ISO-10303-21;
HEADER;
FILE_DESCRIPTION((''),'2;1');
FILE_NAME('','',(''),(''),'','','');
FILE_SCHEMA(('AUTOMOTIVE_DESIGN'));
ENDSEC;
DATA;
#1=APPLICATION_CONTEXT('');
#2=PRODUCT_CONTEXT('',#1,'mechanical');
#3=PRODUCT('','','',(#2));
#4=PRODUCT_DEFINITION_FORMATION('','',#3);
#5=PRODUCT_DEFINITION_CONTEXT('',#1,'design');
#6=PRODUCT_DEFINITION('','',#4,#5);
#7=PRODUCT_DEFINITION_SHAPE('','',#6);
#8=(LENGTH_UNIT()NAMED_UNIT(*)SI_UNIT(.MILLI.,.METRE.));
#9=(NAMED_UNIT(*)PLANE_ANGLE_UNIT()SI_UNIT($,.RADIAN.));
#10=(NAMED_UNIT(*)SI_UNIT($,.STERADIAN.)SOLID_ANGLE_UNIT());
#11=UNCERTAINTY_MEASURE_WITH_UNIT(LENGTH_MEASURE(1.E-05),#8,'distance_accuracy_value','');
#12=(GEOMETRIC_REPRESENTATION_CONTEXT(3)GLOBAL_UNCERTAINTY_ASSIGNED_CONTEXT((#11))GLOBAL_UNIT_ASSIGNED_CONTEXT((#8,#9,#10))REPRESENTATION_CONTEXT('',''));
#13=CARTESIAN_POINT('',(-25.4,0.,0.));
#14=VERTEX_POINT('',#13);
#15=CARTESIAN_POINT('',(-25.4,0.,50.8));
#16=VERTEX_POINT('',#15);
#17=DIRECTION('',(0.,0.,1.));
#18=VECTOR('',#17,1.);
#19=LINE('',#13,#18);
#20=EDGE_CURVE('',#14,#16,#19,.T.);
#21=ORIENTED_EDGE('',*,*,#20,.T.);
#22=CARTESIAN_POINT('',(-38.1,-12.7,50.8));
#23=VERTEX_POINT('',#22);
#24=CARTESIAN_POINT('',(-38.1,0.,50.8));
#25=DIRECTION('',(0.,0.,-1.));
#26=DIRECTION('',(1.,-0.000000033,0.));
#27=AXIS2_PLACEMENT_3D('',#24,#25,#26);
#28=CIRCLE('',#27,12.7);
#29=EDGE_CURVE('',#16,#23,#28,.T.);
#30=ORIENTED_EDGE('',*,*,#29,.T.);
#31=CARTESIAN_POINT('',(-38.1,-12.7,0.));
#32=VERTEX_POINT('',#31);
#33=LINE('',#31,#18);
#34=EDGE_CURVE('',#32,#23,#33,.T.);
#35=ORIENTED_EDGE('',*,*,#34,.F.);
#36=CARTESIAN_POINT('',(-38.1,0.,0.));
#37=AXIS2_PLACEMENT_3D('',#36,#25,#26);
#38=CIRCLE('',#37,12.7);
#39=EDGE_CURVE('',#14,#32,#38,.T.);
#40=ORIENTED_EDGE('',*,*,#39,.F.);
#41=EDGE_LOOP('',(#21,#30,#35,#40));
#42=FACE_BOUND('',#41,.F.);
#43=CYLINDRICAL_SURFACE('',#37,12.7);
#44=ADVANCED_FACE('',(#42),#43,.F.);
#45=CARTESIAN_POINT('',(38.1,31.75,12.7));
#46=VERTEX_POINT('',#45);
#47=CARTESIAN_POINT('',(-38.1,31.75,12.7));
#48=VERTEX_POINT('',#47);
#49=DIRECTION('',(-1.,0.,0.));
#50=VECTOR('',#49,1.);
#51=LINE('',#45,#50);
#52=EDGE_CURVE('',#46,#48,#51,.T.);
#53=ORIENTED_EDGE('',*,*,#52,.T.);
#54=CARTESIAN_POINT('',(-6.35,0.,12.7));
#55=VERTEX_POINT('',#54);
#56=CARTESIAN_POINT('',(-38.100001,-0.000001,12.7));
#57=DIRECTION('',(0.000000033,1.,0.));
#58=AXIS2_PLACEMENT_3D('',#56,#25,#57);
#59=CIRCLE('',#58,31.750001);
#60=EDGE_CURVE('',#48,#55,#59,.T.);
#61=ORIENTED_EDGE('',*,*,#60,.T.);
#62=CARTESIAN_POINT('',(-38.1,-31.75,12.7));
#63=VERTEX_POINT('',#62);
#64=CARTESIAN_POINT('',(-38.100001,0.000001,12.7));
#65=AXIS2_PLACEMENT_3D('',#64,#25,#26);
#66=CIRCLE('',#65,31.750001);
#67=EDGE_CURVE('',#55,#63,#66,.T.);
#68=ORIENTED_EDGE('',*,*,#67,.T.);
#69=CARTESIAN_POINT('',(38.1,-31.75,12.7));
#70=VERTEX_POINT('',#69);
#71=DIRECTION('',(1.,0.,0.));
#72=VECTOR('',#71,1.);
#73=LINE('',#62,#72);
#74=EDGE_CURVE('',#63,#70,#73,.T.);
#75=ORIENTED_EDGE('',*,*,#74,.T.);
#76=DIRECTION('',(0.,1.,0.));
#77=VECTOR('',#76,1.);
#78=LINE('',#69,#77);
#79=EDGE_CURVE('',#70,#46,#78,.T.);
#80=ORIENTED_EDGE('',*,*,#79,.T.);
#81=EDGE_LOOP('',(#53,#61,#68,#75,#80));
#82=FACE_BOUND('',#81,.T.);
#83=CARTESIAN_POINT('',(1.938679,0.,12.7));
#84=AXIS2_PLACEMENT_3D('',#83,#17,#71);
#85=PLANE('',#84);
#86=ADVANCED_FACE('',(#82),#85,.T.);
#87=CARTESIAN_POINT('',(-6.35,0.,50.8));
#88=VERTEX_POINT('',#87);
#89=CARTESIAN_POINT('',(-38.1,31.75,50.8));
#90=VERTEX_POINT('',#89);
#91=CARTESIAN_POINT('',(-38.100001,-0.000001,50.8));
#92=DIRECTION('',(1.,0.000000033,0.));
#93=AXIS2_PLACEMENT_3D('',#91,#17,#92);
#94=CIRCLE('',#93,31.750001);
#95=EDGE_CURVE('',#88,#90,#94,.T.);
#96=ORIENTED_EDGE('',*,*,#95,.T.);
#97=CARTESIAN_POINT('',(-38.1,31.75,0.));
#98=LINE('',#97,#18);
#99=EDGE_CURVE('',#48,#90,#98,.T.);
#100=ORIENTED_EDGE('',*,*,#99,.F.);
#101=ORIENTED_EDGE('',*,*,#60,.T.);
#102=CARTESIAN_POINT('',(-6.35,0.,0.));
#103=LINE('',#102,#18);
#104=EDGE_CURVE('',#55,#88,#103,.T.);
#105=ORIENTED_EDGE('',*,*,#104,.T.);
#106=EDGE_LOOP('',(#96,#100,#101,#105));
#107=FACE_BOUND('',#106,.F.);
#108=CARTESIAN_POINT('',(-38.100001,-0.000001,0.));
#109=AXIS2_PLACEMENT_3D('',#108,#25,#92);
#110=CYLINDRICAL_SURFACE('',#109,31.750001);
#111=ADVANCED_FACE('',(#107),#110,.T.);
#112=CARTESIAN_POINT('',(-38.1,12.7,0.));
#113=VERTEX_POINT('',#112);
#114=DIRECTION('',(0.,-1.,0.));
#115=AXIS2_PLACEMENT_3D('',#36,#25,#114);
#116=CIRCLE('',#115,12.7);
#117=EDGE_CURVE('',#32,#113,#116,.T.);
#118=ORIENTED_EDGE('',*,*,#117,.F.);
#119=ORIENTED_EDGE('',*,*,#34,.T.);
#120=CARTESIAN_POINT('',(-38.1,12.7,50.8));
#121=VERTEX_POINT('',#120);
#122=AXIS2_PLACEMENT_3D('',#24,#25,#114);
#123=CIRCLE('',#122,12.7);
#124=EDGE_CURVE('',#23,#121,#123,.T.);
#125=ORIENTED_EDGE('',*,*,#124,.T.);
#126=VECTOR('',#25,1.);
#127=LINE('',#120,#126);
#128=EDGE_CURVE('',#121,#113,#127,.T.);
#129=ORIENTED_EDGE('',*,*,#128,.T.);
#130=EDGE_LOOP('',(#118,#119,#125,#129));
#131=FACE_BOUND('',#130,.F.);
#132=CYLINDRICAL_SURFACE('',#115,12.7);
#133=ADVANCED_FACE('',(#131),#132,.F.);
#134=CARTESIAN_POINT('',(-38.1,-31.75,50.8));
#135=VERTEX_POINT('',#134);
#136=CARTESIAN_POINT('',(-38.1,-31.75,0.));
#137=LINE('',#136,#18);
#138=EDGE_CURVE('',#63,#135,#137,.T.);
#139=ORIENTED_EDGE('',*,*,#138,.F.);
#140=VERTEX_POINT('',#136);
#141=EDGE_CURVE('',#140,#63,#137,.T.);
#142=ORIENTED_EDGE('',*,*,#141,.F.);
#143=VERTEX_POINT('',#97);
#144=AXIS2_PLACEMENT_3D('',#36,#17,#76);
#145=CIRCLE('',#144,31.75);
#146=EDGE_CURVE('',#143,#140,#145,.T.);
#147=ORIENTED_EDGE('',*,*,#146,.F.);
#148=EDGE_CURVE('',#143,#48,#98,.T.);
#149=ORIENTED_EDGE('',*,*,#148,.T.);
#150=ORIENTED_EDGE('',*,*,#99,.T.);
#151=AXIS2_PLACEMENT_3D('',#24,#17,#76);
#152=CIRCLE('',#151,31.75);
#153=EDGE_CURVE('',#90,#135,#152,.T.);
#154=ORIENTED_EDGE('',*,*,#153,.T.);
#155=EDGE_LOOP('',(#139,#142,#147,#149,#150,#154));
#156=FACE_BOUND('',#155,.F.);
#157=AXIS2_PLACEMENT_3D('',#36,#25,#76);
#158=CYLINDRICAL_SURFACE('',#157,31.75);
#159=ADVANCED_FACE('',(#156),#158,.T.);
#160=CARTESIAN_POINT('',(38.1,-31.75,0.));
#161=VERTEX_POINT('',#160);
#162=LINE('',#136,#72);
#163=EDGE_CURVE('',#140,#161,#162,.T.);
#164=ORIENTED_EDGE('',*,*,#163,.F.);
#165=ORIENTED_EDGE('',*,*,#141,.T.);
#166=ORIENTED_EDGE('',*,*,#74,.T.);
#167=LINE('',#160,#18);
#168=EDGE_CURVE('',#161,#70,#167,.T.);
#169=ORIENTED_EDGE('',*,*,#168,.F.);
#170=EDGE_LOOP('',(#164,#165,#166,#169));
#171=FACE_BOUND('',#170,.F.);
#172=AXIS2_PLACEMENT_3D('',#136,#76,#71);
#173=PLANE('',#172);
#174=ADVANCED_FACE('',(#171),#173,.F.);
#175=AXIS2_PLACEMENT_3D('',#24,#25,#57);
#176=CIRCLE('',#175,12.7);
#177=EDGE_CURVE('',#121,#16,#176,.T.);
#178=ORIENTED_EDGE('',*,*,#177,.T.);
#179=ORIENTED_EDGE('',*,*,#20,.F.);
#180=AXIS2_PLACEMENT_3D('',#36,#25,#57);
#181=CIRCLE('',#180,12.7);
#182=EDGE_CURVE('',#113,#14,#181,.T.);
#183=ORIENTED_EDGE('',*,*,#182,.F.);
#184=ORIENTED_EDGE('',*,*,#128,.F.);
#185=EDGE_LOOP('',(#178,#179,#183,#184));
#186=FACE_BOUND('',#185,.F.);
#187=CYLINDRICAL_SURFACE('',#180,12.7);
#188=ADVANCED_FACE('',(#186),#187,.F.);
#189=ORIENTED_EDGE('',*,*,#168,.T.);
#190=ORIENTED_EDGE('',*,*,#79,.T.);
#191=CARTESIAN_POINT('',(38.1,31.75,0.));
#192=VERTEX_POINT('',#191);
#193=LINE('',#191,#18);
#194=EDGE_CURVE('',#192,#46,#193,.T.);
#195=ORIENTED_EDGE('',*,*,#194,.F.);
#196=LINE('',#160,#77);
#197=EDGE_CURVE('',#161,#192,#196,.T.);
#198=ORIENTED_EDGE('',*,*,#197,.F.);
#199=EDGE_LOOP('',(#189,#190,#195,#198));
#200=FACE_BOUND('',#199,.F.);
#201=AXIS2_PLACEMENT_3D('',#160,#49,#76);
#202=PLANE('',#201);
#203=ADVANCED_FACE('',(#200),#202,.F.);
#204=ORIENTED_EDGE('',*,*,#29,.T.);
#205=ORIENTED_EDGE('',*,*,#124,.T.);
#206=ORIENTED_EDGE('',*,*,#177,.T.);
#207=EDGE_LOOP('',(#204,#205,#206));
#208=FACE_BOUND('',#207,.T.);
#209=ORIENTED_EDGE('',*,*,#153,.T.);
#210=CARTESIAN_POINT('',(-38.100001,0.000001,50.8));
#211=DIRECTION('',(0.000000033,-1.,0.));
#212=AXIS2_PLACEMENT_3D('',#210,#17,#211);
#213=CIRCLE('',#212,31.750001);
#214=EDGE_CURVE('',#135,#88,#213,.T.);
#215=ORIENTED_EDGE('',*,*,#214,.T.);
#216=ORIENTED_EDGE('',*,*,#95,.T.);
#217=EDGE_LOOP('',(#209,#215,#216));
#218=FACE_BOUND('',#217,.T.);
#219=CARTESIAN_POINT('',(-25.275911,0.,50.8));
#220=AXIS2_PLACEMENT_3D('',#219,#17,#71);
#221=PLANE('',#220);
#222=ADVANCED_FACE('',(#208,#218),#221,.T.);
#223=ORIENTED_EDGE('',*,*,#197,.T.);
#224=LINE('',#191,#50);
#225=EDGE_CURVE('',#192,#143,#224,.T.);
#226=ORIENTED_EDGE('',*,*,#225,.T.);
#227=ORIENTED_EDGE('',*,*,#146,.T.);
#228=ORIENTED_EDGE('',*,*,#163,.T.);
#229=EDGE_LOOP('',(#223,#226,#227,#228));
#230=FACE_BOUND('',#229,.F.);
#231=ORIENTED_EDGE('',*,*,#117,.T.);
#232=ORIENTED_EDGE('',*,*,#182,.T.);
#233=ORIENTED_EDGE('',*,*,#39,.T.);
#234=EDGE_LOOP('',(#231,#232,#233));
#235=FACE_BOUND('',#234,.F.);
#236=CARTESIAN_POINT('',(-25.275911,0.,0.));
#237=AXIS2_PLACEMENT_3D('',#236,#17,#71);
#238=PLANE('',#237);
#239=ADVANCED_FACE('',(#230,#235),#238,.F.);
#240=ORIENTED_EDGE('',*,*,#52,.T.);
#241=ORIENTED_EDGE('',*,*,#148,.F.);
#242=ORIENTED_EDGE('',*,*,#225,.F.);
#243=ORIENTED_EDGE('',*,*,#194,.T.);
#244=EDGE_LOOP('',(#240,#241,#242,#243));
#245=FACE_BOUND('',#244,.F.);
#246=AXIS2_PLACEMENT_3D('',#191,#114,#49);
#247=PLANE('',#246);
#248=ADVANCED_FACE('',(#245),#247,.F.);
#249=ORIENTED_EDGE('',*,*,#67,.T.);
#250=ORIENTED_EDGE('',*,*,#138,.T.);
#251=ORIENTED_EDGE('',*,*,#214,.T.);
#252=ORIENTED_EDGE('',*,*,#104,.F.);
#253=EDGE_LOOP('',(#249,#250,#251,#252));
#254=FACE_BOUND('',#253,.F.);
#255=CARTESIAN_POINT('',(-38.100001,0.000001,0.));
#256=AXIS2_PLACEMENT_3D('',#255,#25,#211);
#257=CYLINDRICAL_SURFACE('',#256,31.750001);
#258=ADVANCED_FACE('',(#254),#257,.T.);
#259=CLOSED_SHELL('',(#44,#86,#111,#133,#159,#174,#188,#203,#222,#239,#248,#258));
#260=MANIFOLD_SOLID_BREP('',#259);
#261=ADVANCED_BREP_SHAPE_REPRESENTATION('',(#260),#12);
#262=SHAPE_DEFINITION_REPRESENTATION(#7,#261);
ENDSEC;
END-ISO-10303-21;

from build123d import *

# Parameters (mm, degrees)
F1_DEPTH = 12.7
F2_DEPTH = 50.8


with BuildPart() as f1:
    # F0 (on Top) → F1 (new body)
    with BuildSketch(Plane.XY):
        with BuildLine():
            Line((38.1, -31.75), (38.1, 31.75))
            Line((38.1, 31.75), (-38.1, 31.75))
            ThreePointArc((-38.1, 31.75), (-15.64936, 22.45064), (-6.35, 0))
            ThreePointArc((-6.35, 0), (-15.64936, -22.45064), (-38.1, -31.75))
            Line((-38.1, -31.75), (38.1, -31.75))
        make_face()
        with BuildLine():
            Line((-38.1, 12.7), (-38.1, 31.75))
            ThreePointArc((-38.1, 31.75), (-69.85, 0), (-38.1, -31.75))
            Line((-38.1, -31.75), (-38.1, -12.7))
            ThreePointArc((-38.1, -12.7), (-50.8, 0), (-38.1, 12.7))
        make_face()
    extrude(amount=F1_DEPTH)

    # F0 (on Top) → F2 (join)
    with BuildSketch(Plane.XY):
        with BuildLine():
            ThreePointArc((-6.35, 0), (-15.64936, 22.45064), (-38.1, 31.75))
            Line((-38.1, 31.75), (-38.1, 12.7))
            ThreePointArc((-38.1, 12.7), (-29.119744, 8.980256), (-25.4, 0))
            ThreePointArc((-25.4, 0), (-29.119744, -8.980256), (-38.1, -12.7))
            Line((-38.1, -12.7), (-38.1, -31.75))
            ThreePointArc((-38.1, -31.75), (-15.64936, -22.45064), (-6.35, 0))
        make_face()
        with BuildLine():
            Line((-38.1, 12.7), (-38.1, 31.75))
            ThreePointArc((-38.1, 31.75), (-69.85, 0), (-38.1, -31.75))
            Line((-38.1, -31.75), (-38.1, -12.7))
            ThreePointArc((-38.1, -12.7), (-50.8, 0), (-38.1, 12.7))
        make_face()
    extrude(amount=F2_DEPTH)


solid = f1.part
